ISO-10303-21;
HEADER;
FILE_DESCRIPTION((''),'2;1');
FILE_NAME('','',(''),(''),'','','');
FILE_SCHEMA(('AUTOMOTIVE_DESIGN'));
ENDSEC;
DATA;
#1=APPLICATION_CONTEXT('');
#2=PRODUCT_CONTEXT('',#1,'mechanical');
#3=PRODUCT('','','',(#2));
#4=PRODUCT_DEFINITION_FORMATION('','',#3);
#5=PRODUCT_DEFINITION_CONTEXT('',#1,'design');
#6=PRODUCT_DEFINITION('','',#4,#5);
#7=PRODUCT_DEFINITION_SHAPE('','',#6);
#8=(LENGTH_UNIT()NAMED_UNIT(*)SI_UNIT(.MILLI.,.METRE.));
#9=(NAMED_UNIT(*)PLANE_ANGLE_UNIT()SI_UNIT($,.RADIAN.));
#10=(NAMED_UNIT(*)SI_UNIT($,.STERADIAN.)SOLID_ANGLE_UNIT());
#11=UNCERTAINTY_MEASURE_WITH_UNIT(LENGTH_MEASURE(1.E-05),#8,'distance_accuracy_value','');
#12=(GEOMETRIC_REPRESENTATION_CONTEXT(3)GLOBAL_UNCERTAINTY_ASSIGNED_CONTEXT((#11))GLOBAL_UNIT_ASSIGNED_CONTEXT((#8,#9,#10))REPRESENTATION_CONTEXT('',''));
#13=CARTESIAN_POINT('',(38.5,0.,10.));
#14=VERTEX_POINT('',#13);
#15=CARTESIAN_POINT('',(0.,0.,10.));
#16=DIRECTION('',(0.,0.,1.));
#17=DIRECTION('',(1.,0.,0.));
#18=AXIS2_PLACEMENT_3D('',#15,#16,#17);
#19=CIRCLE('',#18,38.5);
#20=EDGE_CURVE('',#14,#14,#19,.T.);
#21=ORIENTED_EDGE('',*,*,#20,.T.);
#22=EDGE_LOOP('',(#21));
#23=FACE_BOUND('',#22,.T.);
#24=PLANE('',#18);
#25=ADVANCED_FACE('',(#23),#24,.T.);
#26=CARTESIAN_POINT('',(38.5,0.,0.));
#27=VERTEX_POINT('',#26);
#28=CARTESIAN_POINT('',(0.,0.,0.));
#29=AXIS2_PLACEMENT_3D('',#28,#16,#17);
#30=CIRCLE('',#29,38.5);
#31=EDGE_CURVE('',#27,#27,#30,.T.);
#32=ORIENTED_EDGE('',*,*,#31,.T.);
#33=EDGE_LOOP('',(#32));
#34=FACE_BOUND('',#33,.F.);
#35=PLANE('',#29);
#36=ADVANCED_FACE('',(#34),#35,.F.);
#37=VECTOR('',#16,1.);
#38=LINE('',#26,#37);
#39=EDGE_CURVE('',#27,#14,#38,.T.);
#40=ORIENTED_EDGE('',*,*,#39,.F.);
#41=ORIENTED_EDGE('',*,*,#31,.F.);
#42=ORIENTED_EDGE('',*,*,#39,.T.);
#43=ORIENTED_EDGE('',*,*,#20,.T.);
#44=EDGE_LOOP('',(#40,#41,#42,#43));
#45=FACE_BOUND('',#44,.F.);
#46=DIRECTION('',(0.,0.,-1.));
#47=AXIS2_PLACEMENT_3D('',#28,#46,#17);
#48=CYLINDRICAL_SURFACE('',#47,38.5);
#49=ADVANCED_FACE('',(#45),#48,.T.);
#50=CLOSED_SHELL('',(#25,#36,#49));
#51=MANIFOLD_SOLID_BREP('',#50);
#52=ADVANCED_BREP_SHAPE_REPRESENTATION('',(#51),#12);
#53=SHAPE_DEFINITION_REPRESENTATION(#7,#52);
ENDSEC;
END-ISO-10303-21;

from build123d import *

# Parameters (mm, degrees)
SKETCH_R  = 38.5
PAD_DEPTH = 10


with BuildPart() as part:
    # Sketch (on XY_Plane001 of Origin002) → Pad (new body)
    with BuildSketch(Plane.XY):
        Circle(SKETCH_R)
    extrude(amount=PAD_DEPTH)


solid = part.part
